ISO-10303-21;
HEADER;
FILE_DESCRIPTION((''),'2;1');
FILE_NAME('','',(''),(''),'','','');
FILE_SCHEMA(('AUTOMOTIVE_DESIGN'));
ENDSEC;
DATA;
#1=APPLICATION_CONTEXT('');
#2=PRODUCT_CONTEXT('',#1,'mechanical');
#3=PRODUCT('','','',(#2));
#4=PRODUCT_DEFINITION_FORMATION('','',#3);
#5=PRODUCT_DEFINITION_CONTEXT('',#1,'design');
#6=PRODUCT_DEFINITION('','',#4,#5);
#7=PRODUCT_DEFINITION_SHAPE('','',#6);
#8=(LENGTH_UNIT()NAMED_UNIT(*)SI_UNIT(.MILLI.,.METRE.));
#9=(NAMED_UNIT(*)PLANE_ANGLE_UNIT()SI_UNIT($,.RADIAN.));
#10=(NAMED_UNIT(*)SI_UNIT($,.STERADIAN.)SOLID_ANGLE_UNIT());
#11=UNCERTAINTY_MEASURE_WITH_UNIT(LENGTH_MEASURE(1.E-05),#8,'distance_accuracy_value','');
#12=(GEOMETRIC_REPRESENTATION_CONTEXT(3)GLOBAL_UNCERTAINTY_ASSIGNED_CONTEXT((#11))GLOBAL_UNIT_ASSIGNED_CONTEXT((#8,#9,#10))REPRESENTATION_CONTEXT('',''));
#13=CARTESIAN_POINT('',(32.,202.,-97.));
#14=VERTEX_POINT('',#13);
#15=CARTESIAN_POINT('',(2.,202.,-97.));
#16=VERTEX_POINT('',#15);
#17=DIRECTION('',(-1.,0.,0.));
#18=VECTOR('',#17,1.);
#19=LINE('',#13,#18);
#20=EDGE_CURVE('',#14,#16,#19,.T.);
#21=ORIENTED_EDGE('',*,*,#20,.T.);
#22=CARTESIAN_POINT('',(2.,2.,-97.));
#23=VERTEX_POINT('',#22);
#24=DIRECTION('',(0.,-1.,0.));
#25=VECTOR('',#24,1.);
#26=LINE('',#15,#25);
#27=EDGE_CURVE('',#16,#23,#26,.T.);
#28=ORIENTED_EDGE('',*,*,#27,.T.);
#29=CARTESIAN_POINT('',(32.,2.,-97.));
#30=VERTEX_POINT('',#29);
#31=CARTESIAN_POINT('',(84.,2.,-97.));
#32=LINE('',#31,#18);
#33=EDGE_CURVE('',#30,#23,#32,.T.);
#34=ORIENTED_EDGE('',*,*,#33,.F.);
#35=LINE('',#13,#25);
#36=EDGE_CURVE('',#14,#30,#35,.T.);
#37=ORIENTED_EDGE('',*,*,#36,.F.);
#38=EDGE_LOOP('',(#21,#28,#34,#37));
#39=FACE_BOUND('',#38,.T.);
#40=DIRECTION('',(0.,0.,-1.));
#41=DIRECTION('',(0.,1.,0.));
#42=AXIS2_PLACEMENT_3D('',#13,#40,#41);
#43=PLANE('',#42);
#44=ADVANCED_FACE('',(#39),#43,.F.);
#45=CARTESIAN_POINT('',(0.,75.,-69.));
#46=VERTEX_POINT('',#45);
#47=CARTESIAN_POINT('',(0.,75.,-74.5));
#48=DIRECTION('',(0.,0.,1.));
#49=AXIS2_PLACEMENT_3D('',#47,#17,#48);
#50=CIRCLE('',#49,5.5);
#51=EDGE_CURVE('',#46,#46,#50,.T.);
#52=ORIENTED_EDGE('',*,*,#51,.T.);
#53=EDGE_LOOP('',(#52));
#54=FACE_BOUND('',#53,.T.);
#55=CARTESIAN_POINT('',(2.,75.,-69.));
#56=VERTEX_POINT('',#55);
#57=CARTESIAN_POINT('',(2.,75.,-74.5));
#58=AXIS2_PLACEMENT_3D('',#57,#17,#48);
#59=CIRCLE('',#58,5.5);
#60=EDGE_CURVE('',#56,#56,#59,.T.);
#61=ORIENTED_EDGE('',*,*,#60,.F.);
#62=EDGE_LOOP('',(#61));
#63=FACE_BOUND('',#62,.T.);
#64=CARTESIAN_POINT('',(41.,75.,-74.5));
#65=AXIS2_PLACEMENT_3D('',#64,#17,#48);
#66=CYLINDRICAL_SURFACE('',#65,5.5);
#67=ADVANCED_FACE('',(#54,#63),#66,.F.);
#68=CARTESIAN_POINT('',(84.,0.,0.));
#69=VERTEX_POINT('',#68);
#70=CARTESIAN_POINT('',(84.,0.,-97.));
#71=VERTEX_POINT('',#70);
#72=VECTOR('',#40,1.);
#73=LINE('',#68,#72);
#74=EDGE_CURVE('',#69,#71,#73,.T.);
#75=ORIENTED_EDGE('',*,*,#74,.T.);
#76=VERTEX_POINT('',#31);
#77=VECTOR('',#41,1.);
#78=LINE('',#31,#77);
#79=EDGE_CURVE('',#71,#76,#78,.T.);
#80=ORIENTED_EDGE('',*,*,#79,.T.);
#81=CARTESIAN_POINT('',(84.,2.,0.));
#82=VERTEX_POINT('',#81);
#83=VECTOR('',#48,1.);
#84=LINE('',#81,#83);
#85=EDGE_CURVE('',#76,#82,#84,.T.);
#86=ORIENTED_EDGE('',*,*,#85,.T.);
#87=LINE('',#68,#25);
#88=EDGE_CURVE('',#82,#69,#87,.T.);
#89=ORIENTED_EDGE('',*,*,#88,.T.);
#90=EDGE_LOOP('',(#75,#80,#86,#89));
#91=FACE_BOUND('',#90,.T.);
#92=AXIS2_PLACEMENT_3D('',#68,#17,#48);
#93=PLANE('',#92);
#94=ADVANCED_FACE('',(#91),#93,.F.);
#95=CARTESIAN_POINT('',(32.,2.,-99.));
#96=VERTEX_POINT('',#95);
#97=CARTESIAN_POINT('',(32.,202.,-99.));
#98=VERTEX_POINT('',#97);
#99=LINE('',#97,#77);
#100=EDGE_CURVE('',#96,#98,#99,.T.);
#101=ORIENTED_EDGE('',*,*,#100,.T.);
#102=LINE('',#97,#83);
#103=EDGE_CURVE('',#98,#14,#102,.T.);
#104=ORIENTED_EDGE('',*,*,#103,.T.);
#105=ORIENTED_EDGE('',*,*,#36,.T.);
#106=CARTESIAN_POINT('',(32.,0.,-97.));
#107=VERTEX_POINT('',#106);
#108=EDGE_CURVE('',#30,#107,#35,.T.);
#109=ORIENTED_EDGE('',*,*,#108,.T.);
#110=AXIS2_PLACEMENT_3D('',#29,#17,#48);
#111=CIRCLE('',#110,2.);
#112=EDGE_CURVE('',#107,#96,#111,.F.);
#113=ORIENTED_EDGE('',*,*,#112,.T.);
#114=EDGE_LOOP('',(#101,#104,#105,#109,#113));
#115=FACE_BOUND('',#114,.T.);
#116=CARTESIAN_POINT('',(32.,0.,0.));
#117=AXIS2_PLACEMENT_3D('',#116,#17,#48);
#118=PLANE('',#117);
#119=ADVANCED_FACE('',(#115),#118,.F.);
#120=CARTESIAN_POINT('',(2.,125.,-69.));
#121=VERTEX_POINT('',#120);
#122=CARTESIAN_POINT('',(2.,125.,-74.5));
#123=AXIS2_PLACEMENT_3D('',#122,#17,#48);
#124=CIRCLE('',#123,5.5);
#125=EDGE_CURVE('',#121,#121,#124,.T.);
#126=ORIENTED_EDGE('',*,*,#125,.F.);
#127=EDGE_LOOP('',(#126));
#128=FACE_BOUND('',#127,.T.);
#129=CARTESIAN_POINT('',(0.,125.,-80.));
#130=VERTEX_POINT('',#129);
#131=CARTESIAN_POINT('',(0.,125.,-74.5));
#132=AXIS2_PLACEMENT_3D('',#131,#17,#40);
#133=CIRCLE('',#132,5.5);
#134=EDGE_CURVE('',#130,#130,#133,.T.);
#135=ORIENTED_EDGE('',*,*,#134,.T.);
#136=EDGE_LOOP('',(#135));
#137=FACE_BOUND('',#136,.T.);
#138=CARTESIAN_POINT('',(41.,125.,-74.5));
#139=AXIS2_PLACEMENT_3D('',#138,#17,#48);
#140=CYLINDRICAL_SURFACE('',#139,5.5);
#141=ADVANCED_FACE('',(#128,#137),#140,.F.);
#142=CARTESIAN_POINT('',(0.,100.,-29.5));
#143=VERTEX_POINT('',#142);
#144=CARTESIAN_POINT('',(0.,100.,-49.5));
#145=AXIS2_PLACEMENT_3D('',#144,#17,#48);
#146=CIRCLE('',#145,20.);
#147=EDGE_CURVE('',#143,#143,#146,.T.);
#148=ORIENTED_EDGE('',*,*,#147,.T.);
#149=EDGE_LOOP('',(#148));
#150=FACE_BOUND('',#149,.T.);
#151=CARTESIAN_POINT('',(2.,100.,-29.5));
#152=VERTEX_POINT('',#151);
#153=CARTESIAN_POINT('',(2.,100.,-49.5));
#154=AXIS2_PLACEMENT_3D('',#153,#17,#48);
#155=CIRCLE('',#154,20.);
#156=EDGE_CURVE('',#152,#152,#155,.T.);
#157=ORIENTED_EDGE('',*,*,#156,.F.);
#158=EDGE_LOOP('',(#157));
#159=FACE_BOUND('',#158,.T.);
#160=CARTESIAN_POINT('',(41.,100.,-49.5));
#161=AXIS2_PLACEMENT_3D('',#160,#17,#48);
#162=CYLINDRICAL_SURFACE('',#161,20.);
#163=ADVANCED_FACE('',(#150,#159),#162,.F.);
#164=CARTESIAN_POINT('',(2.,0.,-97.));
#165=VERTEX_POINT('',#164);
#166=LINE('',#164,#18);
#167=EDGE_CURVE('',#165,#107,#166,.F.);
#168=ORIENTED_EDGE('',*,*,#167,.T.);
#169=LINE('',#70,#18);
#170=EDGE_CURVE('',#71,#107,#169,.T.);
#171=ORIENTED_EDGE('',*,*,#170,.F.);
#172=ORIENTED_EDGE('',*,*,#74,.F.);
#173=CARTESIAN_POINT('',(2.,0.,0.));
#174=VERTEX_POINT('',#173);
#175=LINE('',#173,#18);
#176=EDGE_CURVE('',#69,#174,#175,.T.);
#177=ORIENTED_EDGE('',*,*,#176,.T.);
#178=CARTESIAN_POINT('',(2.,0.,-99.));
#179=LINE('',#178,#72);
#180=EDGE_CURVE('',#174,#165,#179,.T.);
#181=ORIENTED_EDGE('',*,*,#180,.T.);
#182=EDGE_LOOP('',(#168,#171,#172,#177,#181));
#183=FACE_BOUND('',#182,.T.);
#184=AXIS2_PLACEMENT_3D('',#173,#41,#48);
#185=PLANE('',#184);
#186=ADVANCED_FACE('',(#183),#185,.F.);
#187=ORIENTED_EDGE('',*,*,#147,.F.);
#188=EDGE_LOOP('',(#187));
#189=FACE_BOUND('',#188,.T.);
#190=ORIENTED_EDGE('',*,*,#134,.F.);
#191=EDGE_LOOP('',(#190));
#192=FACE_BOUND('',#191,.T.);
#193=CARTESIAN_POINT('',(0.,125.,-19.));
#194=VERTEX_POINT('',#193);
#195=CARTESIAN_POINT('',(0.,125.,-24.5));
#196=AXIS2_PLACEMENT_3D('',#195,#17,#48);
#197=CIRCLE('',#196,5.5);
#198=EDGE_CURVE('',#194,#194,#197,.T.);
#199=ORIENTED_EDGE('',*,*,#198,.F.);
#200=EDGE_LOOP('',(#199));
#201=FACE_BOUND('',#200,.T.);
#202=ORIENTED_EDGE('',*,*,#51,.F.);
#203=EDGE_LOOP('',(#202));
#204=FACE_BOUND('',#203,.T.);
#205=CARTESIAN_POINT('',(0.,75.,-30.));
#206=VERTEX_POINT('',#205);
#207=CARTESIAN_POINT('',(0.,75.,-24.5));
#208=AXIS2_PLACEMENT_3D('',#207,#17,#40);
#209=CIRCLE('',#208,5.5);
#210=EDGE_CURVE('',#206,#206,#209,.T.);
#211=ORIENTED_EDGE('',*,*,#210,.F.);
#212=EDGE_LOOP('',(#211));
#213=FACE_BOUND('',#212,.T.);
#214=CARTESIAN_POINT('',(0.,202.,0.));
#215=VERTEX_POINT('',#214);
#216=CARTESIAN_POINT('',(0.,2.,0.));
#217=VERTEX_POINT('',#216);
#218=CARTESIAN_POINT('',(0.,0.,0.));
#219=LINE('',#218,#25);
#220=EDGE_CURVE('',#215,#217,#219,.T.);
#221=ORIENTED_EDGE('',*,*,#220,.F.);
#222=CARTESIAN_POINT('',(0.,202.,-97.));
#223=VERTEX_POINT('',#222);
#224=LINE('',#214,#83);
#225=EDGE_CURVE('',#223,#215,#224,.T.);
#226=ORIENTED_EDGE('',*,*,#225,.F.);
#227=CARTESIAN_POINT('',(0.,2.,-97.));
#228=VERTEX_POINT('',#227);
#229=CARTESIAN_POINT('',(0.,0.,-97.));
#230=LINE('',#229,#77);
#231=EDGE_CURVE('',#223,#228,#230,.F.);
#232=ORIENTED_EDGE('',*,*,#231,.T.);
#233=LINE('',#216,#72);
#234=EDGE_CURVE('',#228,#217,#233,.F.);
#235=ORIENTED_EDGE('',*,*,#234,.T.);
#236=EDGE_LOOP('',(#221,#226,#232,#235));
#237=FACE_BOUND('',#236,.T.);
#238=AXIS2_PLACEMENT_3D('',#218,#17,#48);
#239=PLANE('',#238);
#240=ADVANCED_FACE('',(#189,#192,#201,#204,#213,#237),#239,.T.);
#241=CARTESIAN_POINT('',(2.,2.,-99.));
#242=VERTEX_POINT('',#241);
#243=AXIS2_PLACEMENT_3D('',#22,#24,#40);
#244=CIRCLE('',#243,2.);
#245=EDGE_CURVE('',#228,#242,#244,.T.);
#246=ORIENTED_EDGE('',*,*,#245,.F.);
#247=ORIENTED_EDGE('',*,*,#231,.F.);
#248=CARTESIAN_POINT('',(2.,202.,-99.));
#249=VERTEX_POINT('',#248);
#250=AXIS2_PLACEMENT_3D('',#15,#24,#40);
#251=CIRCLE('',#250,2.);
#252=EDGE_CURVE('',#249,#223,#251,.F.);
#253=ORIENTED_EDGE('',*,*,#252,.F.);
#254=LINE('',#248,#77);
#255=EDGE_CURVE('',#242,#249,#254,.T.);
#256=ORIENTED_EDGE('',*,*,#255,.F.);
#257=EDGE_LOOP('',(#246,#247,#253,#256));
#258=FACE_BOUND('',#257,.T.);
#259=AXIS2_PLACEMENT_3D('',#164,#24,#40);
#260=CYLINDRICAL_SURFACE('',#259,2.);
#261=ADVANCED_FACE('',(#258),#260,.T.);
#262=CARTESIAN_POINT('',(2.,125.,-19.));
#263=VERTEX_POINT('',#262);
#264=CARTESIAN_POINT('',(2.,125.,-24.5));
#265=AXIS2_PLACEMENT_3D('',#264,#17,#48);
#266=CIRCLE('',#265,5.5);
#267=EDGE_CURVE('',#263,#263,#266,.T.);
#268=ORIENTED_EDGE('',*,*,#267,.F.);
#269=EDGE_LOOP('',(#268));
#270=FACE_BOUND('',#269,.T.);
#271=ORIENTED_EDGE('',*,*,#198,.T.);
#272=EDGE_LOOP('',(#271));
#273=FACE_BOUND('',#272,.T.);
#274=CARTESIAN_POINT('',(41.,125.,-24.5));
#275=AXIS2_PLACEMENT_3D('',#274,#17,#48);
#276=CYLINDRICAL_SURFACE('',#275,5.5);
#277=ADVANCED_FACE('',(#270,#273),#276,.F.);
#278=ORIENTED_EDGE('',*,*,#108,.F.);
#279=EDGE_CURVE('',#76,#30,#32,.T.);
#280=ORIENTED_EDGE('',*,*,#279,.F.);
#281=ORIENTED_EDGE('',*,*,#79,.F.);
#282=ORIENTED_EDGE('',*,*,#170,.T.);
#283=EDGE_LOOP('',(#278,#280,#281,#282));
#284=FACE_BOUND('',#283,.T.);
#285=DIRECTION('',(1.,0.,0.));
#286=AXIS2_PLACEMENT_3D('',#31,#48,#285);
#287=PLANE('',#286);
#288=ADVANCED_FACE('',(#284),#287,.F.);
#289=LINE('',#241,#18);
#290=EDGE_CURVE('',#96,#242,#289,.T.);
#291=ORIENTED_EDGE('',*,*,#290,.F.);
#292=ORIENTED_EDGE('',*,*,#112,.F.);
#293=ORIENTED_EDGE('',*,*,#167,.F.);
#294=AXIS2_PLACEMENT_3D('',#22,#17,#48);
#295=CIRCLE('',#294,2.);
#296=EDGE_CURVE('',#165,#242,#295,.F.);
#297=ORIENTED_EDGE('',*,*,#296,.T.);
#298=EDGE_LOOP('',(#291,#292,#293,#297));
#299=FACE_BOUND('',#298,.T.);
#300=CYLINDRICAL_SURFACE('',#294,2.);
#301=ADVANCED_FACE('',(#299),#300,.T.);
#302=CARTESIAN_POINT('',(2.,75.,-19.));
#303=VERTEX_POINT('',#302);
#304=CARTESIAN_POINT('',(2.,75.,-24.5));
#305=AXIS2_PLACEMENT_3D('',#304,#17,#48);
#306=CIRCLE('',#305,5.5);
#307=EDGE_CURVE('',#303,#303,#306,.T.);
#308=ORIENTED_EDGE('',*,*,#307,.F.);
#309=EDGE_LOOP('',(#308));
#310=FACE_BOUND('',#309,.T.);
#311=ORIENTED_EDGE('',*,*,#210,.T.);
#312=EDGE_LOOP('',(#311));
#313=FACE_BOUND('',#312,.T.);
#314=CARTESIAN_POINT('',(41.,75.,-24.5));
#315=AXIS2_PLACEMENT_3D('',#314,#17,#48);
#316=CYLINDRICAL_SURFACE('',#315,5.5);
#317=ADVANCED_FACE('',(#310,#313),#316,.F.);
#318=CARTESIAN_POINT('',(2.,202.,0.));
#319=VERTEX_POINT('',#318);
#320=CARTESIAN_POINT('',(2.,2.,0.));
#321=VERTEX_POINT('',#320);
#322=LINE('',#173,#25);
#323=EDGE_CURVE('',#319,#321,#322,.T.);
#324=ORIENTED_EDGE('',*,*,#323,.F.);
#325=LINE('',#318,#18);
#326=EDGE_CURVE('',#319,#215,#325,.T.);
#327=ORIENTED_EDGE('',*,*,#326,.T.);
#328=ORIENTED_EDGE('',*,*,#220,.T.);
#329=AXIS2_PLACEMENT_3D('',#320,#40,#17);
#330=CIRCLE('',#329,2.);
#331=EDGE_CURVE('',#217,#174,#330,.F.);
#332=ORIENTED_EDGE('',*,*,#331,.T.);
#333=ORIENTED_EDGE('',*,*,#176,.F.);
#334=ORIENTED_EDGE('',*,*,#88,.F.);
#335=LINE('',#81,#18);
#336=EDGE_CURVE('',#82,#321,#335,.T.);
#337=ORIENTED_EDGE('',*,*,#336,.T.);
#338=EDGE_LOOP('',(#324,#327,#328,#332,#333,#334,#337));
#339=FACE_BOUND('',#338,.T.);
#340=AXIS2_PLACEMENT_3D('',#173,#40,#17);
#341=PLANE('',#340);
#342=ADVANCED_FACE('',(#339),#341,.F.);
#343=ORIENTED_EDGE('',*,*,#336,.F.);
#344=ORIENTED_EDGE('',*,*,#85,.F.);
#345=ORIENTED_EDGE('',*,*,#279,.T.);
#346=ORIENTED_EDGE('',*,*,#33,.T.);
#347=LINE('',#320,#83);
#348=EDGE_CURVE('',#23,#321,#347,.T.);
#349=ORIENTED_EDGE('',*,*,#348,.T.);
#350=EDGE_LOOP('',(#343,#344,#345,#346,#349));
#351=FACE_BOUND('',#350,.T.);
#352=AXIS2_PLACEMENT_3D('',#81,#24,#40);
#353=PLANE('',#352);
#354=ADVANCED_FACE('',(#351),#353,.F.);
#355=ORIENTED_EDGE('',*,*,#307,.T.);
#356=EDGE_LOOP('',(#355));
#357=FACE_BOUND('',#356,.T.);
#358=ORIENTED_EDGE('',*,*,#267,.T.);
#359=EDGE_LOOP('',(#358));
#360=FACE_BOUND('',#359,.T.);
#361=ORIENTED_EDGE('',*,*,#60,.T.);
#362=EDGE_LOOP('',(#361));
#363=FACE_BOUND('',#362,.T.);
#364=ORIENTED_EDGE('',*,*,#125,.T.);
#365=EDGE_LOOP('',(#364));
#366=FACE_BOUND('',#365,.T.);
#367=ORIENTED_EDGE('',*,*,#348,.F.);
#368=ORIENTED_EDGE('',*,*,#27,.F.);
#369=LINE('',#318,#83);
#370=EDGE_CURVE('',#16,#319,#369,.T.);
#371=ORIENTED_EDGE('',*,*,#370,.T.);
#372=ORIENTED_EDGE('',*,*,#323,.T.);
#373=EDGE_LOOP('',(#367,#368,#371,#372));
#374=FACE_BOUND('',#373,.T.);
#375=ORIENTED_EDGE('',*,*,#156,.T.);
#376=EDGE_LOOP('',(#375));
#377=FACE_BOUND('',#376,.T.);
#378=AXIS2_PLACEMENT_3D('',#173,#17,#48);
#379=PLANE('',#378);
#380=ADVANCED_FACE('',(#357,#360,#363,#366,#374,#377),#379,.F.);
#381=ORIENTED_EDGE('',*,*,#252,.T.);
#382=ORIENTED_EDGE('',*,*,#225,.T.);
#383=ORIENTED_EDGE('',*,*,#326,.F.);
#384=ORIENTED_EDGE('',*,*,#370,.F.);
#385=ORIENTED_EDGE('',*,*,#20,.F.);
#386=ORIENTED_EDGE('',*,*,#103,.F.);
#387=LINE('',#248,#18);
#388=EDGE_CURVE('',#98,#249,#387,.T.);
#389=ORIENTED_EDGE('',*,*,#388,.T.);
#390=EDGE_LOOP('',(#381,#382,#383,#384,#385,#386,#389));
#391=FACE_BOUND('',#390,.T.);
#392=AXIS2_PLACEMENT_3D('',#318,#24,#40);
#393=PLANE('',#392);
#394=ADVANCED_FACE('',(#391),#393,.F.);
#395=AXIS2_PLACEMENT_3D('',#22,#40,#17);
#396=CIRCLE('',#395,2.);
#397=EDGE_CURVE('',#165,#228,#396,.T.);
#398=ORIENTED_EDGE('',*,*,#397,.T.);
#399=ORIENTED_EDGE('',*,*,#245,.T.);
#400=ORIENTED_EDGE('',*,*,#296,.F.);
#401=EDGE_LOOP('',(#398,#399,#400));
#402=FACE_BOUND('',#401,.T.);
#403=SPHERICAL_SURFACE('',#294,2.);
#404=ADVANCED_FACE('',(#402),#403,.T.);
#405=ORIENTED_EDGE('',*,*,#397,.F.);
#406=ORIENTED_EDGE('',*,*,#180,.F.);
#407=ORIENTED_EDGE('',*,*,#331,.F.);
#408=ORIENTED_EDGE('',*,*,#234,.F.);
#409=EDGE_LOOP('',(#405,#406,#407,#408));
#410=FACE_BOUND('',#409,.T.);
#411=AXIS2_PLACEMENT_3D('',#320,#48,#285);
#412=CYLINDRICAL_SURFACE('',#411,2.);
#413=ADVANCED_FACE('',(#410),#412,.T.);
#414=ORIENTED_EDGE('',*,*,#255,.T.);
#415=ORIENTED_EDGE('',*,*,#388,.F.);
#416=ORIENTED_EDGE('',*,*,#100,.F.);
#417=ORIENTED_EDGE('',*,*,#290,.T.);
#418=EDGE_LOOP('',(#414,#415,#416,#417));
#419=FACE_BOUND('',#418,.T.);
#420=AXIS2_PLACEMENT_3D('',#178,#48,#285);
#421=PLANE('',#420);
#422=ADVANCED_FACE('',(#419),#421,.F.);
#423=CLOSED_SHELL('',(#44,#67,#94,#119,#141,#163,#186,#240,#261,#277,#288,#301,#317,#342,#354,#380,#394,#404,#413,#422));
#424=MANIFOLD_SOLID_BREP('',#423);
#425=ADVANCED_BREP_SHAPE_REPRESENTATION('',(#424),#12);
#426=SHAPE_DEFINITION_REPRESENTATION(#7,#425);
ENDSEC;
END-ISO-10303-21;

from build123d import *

# Parameters (mm, degrees)
SKETCH1_W           = 99
SKETCH1_H           = 202
BOSS_EXTRUDE1_DEPTH = 2
SKETCH2_W           = 97
SKETCH2_H           = 2
BOSS_EXTRUDE2_DEPTH = 82
SKETCH3_W           = 2
SKETCH3_H           = 202
BOSS_EXTRUDE3_DEPTH = 30
FILLET1_R           = 2
SKETCH5_R           = 20
SKETCH5_R_2         = 5.5
CUT_EXTRUDE1_DEPTH  = 41


with BuildPart() as part:
    # Sketch1 → Boss-Extrude1 (new body)
    with BuildSketch(Plane(origin=(0, 0, 0), x_dir=(0, 0, -1), z_dir=(1, 0, 0))):
        with Locations((49.5, 101)):
            Rectangle(SKETCH1_W, SKETCH1_H)
    extrude(amount=BOSS_EXTRUDE1_DEPTH)

    # Sketch2 → Boss-Extrude2 (add)
    with BuildSketch(Plane(origin=(2, 0, 0), x_dir=(0, 0, -1), z_dir=(1, 0, 0))):
        with Locations((48.5, 1)):
            Rectangle(SKETCH2_W, SKETCH2_H)
    extrude(amount=BOSS_EXTRUDE2_DEPTH)

    # Sketch3 → Boss-Extrude3 (add)
    with BuildSketch(Plane(origin=(2, 0, 0), x_dir=(0, 0, -1), z_dir=(1, 0, 0))):
        with Locations((98, 101)):
            Rectangle(SKETCH3_W, SKETCH3_H)
    extrude(amount=BOSS_EXTRUDE3_DEPTH)

    # Fillet1
    fillet1_edges = [part.edges().sort_by_distance(p)[0] for p in [
        (16, 0, -99),
        (0, 0, -49.5),
        (0, 101, -99),
    ]]
    fillet(fillet1_edges, radius=FILLET1_R)

    # Sketch5 → Cut-Extrude1 (cut)
    with BuildSketch(Plane.ZY):
        with Locations((-49.5, 100)):
            Circle(SKETCH5_R)
        with Locations((-24.5, 125)):
            Circle(SKETCH5_R_2)
        with Locations((-74.5, 125)):
            Circle(SKETCH5_R_2)
        with Locations((-24.5, 75)):
            Circle(SKETCH5_R_2)
        with Locations((-74.5, 75)):
            Circle(SKETCH5_R_2)
    extrude(amount=-CUT_EXTRUDE1_DEPTH, mode=Mode.SUBTRACT)


solid = part.part
